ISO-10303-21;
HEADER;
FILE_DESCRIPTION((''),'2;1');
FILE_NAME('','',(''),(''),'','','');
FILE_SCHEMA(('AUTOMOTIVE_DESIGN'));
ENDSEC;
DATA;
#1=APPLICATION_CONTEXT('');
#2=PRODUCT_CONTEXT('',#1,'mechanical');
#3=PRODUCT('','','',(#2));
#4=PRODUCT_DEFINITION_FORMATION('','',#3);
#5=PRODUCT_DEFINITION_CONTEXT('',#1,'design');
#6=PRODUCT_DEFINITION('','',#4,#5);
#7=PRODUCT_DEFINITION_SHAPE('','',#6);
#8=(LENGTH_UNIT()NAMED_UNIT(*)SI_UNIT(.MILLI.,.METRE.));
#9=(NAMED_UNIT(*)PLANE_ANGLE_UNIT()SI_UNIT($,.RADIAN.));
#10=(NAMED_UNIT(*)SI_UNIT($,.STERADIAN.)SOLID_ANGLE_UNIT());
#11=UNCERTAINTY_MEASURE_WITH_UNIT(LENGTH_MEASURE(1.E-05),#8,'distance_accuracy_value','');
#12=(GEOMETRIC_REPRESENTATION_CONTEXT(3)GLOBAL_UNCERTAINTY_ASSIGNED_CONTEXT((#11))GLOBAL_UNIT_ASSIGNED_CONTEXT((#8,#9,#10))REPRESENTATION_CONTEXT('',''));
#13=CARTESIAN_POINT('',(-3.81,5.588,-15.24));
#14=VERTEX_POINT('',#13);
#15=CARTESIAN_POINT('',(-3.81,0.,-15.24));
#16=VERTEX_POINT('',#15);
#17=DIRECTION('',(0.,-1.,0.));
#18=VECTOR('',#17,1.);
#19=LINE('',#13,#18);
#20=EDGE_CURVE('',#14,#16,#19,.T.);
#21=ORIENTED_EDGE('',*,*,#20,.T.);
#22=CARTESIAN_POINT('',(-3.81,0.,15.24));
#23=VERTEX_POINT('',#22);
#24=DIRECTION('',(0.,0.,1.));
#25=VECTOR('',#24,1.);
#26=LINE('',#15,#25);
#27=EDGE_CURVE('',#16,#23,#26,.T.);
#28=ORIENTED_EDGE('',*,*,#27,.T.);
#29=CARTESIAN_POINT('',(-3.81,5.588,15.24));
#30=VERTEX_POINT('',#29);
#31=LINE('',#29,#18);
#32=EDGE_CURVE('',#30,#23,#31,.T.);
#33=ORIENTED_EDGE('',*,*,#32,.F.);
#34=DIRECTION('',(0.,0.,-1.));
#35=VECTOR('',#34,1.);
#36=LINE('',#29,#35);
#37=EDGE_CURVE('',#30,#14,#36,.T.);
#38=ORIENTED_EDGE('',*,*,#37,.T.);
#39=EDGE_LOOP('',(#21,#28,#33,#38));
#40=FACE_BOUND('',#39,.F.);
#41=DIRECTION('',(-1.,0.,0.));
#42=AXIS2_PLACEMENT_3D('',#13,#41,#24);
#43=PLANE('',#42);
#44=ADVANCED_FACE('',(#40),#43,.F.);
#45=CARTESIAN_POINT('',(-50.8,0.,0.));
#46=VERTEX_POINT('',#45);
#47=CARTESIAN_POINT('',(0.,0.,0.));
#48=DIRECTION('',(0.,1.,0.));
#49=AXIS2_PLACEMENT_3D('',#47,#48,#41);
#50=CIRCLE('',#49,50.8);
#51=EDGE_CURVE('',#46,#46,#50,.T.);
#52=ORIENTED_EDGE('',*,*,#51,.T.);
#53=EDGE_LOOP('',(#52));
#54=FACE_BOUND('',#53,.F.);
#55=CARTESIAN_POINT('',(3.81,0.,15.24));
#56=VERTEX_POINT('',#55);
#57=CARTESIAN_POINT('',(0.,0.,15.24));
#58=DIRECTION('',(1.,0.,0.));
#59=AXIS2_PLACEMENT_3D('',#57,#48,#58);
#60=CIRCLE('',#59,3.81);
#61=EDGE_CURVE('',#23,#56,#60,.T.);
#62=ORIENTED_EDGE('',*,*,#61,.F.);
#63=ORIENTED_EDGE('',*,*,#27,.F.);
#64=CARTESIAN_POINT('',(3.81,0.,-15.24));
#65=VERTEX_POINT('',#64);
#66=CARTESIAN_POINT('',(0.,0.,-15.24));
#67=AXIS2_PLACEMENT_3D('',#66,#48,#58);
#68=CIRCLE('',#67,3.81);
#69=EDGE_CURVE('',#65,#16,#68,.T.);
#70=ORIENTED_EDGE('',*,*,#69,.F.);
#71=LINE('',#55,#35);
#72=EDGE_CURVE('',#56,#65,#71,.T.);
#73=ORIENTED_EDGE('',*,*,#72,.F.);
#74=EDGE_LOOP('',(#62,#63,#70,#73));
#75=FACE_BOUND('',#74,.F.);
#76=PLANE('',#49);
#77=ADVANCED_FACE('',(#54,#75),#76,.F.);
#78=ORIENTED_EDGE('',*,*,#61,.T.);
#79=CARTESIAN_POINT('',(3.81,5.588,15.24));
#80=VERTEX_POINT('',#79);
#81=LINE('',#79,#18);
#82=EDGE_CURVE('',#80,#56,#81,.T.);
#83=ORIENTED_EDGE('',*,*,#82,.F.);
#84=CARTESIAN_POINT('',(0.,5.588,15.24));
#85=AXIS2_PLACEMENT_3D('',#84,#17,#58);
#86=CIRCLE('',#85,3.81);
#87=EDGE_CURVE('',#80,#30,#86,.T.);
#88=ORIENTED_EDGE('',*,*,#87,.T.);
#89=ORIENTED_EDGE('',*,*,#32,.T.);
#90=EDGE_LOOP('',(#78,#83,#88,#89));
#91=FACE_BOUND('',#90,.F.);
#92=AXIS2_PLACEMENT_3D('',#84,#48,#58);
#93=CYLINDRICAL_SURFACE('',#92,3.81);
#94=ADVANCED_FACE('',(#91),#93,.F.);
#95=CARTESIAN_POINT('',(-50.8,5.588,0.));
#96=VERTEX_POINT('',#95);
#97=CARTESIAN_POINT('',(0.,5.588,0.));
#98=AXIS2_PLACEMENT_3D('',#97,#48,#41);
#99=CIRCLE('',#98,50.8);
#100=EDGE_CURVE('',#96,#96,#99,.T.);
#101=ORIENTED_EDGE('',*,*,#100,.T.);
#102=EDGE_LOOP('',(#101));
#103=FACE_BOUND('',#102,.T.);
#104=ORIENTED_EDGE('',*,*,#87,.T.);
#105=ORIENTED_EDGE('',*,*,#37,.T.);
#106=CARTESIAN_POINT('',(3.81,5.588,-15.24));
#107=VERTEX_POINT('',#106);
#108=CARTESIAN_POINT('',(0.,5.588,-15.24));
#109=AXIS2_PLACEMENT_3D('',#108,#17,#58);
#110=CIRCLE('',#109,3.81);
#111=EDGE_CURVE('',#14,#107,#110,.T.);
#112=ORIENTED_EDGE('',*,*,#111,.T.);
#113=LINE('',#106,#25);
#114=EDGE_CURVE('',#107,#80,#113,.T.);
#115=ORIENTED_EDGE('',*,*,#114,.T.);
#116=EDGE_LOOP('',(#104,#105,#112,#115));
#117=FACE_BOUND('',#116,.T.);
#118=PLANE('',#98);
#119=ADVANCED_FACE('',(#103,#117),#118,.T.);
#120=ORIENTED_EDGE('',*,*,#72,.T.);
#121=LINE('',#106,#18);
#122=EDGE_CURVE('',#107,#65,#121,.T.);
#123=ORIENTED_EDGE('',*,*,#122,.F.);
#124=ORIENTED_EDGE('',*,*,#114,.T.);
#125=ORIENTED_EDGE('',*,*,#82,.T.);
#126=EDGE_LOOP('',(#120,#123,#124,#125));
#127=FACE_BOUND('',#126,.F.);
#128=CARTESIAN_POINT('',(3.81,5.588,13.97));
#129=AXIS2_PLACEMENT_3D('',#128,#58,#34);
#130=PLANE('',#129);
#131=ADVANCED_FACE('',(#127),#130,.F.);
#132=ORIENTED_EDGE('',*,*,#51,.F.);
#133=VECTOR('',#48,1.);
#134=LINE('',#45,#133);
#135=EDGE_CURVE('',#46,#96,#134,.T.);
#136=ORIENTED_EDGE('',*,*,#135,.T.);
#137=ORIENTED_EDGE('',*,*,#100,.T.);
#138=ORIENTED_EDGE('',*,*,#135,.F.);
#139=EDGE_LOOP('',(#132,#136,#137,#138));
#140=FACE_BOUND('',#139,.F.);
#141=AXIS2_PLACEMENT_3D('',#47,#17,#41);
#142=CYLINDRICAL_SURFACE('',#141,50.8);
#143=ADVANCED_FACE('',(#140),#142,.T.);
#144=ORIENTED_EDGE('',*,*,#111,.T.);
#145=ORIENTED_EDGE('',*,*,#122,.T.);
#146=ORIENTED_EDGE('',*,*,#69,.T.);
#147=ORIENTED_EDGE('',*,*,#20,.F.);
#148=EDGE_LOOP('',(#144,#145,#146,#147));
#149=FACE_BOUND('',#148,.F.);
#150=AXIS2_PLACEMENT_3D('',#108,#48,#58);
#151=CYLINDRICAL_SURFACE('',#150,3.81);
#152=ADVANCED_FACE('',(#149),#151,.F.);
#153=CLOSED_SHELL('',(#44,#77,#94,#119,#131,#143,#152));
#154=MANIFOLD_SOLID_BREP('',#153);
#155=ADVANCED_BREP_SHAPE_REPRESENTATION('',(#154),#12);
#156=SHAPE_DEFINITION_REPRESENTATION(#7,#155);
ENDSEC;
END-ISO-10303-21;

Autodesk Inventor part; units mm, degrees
ref_plane "YZ Plane" through (0, 0, 0) normal (1, 0, 0) x (0, 1, 0)
ref_plane "XZ Plane" through (0, 0, 0) normal (0, 1, 0) x (-1, 0, 0)
ref_plane "XY Plane" through (0, 0, 0) normal (0, 0, 1) x (1, 0, 0)
sketch "Sketch1" plane through (0, 0, 0) normal (0, 1, 0) x (-1, 0, 0)
  circle A0 centre (0, 0) radius 50.8
  dimension "d0" = 101.6
extrude "Extrusion1" add sketch "Sketch1" along normal blind 5.588
sketch "Sketch2" plane through (0, 5.588, 0) normal (0, 1, 0) x (1, 0, 0)
  line L0 (3.81, 13.97) -> (-3.81, 13.97)
  line L1 (-3.81, 13.97) -> (-3.81, -13.97)
  line L2 (-3.81, -13.97) -> (3.81, -13.97)
  line L3 (3.81, -13.97) -> (3.81, 13.97)
  point P0 (0, 0)
  dimension "d3" = 7.62
  dimension "d4" = 27.94
extrude "Extrusion2" cut sketch "Sketch2" against normal blind 5.588
sketch "Sketch3" plane through (0, 5.588, 0) normal (0, 1, 0) x (1, 0, 0)
  point P0 (0, 0)
sketch "Sketch4" plane through (0, 5.588, 0) normal (0, 1, 0) x (1, 0, 0)
  line L0 (3.81, 15.24) -> (-3.81, 15.24)
  line L1 (-3.81, 15.24) -> (-3.81, -15.24)
  line L2 (-3.81, -15.24) -> (3.81, -15.24)
  line L3 (3.81, -15.24) -> (3.81, 15.24)
  point P0 (0, 0)
  dimension "d7" = 30.48
extrude "Extrusion3" cut sketch "Sketch4" against normal blind 5.588
sketch "Sketch5" plane through (0, 5.588, 0) normal (0, 1, 0) x (1, 0, 0)
  line L0 (3.81, 15.24) -> (-3.81, 15.24) projected
  circle A0 centre (0, 15.24) radius 3.81
  point P0 (0, 0)
  dimension "d10" = 7.62
extrude "Extrusion4" cut sketch "Sketch5" against normal blind 5.588
sketch "Sketch6" plane through (0, 5.588, 0) normal (0, 1, 0) x (1, 0, 0)
  line L0 (-3.81, -15.24) -> (3.81, -15.24) projected
  circle A0 centre (0, -15.24) radius 3.81
  point P0 (0, 0)
  dimension "d13" = 7.62
extrude "Extrusion5" cut sketch "Sketch6" against normal blind 5.588
sketch "Sketch7" plane through (0, 5.588, 0) normal (0, 1, 0) x (1, 0, 0)
  point P0 (0, 0)
properties part number "midCup"
